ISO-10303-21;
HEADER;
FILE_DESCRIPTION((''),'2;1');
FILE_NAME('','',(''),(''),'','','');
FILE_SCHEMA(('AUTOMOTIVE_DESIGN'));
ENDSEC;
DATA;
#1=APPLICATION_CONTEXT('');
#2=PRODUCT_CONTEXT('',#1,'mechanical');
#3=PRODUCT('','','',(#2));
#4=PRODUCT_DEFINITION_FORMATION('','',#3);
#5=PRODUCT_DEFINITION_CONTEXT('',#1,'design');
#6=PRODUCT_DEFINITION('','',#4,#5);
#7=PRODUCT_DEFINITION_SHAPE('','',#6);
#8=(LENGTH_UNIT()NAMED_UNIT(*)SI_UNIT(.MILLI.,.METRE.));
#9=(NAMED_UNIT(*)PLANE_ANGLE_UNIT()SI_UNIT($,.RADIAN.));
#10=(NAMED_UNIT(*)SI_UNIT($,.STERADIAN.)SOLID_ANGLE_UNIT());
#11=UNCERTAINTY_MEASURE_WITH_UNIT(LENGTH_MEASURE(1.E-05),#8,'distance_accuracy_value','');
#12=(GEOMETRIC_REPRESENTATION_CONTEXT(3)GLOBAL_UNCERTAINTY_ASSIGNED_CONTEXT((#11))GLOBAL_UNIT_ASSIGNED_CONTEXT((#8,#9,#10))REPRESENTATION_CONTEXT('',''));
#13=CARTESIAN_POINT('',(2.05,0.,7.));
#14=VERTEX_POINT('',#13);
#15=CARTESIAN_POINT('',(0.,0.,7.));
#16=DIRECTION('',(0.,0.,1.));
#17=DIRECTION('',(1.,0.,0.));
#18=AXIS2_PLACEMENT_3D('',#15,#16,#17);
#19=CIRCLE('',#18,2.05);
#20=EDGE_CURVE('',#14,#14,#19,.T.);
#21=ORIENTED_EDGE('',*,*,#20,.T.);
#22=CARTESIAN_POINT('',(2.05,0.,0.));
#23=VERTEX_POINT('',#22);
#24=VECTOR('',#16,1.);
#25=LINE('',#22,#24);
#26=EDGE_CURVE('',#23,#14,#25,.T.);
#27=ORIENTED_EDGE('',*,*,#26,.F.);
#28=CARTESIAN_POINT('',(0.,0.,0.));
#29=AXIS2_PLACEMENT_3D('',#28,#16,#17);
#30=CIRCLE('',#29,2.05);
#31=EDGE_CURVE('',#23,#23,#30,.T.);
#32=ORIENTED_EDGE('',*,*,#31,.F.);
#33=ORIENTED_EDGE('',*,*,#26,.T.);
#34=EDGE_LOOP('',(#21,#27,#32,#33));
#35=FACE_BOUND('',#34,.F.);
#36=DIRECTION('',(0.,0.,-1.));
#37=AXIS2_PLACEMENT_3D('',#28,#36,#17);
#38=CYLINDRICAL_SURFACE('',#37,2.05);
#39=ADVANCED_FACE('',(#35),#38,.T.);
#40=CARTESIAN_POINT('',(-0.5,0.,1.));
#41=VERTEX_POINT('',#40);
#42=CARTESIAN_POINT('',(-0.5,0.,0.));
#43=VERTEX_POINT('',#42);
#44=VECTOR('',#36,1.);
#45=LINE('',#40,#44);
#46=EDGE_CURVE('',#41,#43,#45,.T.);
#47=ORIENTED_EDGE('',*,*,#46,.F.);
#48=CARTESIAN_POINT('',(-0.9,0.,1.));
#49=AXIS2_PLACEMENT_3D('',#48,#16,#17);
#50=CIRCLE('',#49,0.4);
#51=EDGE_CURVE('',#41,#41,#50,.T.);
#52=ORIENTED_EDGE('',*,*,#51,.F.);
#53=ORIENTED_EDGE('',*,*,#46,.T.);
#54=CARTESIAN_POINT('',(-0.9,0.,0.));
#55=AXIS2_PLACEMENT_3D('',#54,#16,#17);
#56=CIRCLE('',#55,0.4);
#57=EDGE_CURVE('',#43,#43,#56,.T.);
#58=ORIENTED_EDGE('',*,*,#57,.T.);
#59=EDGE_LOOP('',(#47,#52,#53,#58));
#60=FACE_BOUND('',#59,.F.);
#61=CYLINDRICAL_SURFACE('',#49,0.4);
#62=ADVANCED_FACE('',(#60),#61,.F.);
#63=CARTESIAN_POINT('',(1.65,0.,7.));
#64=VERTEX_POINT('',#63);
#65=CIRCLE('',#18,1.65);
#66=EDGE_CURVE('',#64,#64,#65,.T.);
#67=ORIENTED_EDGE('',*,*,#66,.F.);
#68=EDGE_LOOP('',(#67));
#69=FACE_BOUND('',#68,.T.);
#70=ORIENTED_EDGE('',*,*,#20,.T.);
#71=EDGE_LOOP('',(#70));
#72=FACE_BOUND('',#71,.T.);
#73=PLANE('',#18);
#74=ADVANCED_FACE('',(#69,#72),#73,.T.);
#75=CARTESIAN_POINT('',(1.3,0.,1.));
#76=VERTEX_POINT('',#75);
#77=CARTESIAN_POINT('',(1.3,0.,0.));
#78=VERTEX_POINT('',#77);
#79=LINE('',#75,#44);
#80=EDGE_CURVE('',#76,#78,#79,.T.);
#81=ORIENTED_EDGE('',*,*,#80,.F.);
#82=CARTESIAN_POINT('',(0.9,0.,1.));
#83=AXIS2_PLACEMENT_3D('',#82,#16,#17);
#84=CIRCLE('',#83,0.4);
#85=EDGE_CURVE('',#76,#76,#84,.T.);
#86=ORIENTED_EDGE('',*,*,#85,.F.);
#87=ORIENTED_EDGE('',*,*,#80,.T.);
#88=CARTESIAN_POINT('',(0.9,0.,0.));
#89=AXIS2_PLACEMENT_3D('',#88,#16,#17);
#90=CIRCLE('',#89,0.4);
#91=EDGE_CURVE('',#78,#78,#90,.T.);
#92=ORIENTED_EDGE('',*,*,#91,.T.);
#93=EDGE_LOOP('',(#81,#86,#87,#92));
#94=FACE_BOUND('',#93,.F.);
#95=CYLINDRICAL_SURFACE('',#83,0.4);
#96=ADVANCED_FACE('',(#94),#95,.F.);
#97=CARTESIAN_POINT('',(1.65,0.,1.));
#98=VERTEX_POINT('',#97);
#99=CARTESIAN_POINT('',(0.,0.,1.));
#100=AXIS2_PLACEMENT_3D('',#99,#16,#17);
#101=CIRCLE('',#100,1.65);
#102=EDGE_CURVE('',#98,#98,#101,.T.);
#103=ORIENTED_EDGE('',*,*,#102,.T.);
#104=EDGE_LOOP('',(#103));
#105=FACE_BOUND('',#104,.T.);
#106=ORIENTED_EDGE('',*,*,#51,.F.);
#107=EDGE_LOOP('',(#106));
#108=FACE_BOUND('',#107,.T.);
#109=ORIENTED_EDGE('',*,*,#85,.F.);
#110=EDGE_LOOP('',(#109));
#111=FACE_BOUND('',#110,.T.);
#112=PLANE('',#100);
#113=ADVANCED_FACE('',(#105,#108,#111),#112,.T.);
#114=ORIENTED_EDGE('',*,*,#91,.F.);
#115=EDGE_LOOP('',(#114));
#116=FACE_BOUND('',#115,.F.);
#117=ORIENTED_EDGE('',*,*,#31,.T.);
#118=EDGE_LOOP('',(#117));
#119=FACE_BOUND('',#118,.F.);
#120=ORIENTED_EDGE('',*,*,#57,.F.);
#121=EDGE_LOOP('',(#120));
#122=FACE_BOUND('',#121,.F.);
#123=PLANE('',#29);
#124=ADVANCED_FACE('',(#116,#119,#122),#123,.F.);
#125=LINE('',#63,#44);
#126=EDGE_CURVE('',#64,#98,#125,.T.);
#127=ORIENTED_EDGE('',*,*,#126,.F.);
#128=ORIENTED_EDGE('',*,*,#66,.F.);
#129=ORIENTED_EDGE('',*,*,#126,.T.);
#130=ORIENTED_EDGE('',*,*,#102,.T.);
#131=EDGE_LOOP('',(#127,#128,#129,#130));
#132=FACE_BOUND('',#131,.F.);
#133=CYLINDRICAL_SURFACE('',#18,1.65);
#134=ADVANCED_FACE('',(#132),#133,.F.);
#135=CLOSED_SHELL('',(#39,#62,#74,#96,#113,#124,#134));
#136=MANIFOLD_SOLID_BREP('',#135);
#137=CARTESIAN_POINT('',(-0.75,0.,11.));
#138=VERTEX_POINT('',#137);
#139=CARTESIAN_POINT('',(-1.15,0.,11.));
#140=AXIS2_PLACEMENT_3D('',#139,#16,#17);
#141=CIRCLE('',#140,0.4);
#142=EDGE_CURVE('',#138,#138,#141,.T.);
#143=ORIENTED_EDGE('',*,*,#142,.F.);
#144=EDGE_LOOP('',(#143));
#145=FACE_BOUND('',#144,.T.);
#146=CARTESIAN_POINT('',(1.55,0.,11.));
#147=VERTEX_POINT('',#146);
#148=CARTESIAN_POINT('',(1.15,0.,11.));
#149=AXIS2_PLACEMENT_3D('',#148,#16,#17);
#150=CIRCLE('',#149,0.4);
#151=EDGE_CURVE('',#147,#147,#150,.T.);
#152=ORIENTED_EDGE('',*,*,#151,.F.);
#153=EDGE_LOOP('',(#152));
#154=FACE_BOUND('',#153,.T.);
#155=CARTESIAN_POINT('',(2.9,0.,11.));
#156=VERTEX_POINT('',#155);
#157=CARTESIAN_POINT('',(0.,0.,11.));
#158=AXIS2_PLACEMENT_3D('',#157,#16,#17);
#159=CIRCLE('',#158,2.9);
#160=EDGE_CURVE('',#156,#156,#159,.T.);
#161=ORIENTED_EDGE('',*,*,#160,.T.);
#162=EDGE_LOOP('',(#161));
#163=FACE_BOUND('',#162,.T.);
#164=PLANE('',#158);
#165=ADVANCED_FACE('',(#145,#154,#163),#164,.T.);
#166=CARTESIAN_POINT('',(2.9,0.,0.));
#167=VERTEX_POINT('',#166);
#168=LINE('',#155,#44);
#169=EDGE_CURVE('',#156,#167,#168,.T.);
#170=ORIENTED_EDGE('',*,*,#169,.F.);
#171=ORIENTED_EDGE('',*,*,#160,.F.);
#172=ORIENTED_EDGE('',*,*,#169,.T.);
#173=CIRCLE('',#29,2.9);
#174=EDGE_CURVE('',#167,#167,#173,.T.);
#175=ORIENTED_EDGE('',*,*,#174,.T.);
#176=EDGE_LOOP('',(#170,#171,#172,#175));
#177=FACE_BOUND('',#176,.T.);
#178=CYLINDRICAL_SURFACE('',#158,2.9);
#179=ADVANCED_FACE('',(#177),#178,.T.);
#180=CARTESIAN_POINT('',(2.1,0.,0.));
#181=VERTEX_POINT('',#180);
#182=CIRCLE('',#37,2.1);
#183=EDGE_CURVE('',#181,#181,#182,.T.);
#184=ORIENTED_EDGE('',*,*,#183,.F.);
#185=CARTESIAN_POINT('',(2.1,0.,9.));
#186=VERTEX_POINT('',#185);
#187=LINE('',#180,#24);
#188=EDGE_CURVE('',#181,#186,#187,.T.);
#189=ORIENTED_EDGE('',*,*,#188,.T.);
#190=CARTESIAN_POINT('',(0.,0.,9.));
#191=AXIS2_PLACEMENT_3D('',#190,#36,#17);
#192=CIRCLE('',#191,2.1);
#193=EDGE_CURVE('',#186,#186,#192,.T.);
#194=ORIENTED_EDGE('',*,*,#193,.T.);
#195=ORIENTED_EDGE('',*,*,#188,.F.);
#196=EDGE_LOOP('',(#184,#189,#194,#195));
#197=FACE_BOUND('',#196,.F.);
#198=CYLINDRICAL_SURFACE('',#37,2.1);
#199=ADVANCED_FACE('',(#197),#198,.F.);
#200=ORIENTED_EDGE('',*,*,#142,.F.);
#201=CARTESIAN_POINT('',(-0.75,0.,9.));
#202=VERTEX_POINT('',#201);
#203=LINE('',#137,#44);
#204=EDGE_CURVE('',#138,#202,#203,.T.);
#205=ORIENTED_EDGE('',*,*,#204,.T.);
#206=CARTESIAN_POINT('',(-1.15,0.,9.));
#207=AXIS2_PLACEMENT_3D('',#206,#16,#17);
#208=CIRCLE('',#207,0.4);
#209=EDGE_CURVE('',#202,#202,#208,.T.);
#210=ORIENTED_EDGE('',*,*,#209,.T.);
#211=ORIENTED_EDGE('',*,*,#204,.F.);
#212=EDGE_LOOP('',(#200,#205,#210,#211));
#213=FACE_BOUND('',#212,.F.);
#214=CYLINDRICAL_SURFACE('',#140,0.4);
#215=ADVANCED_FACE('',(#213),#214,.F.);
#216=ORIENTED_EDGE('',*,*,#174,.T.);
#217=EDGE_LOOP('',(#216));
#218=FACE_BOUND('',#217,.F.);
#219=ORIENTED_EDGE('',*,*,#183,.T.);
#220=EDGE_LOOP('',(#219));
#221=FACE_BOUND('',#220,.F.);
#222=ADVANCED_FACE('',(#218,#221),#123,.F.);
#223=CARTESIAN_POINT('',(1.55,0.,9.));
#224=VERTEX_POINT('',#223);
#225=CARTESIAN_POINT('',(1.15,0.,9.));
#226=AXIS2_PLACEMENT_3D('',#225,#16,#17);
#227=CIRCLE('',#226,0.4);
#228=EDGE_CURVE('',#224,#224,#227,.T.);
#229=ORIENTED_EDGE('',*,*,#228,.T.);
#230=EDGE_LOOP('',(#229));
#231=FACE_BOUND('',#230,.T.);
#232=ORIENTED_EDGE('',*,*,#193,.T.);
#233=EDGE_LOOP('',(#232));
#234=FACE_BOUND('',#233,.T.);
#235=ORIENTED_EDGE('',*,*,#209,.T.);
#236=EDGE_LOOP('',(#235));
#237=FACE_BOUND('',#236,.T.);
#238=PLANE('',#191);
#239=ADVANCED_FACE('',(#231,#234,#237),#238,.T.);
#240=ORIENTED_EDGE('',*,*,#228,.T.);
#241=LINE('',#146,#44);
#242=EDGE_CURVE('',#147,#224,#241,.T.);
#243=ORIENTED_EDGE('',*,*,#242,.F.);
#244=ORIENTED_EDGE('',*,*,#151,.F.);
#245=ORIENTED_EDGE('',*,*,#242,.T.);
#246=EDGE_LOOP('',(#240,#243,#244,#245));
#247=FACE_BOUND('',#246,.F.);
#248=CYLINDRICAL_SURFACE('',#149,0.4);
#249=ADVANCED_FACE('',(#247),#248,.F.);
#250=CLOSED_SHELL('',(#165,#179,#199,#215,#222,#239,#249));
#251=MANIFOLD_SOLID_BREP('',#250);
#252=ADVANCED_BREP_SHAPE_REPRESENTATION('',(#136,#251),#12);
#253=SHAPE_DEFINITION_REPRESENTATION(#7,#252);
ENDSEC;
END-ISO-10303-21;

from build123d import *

# Parameters (mm, degrees)
SKETCH_R        = 2.05
PAD_DEPTH       = 7
SKETCH001_R     = 1.65
POCKET_DEPTH    = 6
SKETCH002_R     = 0.4
POCKET001_DEPTH = 1.001
SKETCH003_R     = 2.9
PAD001_DEPTH    = 11
SKETCH004_R     = 2.1
POCKET002_DEPTH = 9
SKETCH005_R     = 0.4
POCKET003_DEPTH = 11.001


with BuildPart() as ldr_housing:
    # Sketch → Pad (new body)
    with BuildSketch(Plane.XY):
        Circle(SKETCH_R)
    extrude(amount=PAD_DEPTH)

    # Sketch001 (on Face3 of Pad) → Pocket (cut)
    with BuildSketch(Plane.XY.offset(7)):
        Circle(SKETCH001_R)
    extrude(amount=-POCKET_DEPTH, mode=Mode.SUBTRACT)

    # Sketch002 (on Face5 of Pocket) → Pocket001 (cut, through all)
    with BuildSketch(Plane.XY.offset(1)):
        with Locations((-0.9, 0)):
            Circle(SKETCH002_R)
        with Locations((0.9, 0)):
            Circle(SKETCH002_R)
    extrude(amount=-POCKET001_DEPTH, mode=Mode.SUBTRACT)


with BuildPart() as led_housing:
    # Sketch003 (on DatumPlane) → Pad001 (new body)
    with BuildSketch(Plane.XY.offset(11)):
        Circle(SKETCH003_R)
    extrude(amount=-PAD001_DEPTH)

    # Sketch004 (on Face3 of Pad001) → Pocket002 (cut)
    with BuildSketch(Plane(origin=(0, 0, 0), x_dir=(1, 0, 0), z_dir=(0, 0, -1))):
        Circle(SKETCH004_R)
    extrude(amount=-POCKET002_DEPTH, mode=Mode.SUBTRACT)

    # Sketch005 (on Face2 of Pocket002) → Pocket003 (cut, through all)
    with BuildSketch(Plane.XY.offset(11)):
        with Locations((-1.15, 0)):
            Circle(SKETCH005_R)
        with Locations((1.15, 0)):
            Circle(SKETCH005_R)
    extrude(amount=-POCKET003_DEPTH, mode=Mode.SUBTRACT)


solid = Compound([ldr_housing.part, led_housing.part])
